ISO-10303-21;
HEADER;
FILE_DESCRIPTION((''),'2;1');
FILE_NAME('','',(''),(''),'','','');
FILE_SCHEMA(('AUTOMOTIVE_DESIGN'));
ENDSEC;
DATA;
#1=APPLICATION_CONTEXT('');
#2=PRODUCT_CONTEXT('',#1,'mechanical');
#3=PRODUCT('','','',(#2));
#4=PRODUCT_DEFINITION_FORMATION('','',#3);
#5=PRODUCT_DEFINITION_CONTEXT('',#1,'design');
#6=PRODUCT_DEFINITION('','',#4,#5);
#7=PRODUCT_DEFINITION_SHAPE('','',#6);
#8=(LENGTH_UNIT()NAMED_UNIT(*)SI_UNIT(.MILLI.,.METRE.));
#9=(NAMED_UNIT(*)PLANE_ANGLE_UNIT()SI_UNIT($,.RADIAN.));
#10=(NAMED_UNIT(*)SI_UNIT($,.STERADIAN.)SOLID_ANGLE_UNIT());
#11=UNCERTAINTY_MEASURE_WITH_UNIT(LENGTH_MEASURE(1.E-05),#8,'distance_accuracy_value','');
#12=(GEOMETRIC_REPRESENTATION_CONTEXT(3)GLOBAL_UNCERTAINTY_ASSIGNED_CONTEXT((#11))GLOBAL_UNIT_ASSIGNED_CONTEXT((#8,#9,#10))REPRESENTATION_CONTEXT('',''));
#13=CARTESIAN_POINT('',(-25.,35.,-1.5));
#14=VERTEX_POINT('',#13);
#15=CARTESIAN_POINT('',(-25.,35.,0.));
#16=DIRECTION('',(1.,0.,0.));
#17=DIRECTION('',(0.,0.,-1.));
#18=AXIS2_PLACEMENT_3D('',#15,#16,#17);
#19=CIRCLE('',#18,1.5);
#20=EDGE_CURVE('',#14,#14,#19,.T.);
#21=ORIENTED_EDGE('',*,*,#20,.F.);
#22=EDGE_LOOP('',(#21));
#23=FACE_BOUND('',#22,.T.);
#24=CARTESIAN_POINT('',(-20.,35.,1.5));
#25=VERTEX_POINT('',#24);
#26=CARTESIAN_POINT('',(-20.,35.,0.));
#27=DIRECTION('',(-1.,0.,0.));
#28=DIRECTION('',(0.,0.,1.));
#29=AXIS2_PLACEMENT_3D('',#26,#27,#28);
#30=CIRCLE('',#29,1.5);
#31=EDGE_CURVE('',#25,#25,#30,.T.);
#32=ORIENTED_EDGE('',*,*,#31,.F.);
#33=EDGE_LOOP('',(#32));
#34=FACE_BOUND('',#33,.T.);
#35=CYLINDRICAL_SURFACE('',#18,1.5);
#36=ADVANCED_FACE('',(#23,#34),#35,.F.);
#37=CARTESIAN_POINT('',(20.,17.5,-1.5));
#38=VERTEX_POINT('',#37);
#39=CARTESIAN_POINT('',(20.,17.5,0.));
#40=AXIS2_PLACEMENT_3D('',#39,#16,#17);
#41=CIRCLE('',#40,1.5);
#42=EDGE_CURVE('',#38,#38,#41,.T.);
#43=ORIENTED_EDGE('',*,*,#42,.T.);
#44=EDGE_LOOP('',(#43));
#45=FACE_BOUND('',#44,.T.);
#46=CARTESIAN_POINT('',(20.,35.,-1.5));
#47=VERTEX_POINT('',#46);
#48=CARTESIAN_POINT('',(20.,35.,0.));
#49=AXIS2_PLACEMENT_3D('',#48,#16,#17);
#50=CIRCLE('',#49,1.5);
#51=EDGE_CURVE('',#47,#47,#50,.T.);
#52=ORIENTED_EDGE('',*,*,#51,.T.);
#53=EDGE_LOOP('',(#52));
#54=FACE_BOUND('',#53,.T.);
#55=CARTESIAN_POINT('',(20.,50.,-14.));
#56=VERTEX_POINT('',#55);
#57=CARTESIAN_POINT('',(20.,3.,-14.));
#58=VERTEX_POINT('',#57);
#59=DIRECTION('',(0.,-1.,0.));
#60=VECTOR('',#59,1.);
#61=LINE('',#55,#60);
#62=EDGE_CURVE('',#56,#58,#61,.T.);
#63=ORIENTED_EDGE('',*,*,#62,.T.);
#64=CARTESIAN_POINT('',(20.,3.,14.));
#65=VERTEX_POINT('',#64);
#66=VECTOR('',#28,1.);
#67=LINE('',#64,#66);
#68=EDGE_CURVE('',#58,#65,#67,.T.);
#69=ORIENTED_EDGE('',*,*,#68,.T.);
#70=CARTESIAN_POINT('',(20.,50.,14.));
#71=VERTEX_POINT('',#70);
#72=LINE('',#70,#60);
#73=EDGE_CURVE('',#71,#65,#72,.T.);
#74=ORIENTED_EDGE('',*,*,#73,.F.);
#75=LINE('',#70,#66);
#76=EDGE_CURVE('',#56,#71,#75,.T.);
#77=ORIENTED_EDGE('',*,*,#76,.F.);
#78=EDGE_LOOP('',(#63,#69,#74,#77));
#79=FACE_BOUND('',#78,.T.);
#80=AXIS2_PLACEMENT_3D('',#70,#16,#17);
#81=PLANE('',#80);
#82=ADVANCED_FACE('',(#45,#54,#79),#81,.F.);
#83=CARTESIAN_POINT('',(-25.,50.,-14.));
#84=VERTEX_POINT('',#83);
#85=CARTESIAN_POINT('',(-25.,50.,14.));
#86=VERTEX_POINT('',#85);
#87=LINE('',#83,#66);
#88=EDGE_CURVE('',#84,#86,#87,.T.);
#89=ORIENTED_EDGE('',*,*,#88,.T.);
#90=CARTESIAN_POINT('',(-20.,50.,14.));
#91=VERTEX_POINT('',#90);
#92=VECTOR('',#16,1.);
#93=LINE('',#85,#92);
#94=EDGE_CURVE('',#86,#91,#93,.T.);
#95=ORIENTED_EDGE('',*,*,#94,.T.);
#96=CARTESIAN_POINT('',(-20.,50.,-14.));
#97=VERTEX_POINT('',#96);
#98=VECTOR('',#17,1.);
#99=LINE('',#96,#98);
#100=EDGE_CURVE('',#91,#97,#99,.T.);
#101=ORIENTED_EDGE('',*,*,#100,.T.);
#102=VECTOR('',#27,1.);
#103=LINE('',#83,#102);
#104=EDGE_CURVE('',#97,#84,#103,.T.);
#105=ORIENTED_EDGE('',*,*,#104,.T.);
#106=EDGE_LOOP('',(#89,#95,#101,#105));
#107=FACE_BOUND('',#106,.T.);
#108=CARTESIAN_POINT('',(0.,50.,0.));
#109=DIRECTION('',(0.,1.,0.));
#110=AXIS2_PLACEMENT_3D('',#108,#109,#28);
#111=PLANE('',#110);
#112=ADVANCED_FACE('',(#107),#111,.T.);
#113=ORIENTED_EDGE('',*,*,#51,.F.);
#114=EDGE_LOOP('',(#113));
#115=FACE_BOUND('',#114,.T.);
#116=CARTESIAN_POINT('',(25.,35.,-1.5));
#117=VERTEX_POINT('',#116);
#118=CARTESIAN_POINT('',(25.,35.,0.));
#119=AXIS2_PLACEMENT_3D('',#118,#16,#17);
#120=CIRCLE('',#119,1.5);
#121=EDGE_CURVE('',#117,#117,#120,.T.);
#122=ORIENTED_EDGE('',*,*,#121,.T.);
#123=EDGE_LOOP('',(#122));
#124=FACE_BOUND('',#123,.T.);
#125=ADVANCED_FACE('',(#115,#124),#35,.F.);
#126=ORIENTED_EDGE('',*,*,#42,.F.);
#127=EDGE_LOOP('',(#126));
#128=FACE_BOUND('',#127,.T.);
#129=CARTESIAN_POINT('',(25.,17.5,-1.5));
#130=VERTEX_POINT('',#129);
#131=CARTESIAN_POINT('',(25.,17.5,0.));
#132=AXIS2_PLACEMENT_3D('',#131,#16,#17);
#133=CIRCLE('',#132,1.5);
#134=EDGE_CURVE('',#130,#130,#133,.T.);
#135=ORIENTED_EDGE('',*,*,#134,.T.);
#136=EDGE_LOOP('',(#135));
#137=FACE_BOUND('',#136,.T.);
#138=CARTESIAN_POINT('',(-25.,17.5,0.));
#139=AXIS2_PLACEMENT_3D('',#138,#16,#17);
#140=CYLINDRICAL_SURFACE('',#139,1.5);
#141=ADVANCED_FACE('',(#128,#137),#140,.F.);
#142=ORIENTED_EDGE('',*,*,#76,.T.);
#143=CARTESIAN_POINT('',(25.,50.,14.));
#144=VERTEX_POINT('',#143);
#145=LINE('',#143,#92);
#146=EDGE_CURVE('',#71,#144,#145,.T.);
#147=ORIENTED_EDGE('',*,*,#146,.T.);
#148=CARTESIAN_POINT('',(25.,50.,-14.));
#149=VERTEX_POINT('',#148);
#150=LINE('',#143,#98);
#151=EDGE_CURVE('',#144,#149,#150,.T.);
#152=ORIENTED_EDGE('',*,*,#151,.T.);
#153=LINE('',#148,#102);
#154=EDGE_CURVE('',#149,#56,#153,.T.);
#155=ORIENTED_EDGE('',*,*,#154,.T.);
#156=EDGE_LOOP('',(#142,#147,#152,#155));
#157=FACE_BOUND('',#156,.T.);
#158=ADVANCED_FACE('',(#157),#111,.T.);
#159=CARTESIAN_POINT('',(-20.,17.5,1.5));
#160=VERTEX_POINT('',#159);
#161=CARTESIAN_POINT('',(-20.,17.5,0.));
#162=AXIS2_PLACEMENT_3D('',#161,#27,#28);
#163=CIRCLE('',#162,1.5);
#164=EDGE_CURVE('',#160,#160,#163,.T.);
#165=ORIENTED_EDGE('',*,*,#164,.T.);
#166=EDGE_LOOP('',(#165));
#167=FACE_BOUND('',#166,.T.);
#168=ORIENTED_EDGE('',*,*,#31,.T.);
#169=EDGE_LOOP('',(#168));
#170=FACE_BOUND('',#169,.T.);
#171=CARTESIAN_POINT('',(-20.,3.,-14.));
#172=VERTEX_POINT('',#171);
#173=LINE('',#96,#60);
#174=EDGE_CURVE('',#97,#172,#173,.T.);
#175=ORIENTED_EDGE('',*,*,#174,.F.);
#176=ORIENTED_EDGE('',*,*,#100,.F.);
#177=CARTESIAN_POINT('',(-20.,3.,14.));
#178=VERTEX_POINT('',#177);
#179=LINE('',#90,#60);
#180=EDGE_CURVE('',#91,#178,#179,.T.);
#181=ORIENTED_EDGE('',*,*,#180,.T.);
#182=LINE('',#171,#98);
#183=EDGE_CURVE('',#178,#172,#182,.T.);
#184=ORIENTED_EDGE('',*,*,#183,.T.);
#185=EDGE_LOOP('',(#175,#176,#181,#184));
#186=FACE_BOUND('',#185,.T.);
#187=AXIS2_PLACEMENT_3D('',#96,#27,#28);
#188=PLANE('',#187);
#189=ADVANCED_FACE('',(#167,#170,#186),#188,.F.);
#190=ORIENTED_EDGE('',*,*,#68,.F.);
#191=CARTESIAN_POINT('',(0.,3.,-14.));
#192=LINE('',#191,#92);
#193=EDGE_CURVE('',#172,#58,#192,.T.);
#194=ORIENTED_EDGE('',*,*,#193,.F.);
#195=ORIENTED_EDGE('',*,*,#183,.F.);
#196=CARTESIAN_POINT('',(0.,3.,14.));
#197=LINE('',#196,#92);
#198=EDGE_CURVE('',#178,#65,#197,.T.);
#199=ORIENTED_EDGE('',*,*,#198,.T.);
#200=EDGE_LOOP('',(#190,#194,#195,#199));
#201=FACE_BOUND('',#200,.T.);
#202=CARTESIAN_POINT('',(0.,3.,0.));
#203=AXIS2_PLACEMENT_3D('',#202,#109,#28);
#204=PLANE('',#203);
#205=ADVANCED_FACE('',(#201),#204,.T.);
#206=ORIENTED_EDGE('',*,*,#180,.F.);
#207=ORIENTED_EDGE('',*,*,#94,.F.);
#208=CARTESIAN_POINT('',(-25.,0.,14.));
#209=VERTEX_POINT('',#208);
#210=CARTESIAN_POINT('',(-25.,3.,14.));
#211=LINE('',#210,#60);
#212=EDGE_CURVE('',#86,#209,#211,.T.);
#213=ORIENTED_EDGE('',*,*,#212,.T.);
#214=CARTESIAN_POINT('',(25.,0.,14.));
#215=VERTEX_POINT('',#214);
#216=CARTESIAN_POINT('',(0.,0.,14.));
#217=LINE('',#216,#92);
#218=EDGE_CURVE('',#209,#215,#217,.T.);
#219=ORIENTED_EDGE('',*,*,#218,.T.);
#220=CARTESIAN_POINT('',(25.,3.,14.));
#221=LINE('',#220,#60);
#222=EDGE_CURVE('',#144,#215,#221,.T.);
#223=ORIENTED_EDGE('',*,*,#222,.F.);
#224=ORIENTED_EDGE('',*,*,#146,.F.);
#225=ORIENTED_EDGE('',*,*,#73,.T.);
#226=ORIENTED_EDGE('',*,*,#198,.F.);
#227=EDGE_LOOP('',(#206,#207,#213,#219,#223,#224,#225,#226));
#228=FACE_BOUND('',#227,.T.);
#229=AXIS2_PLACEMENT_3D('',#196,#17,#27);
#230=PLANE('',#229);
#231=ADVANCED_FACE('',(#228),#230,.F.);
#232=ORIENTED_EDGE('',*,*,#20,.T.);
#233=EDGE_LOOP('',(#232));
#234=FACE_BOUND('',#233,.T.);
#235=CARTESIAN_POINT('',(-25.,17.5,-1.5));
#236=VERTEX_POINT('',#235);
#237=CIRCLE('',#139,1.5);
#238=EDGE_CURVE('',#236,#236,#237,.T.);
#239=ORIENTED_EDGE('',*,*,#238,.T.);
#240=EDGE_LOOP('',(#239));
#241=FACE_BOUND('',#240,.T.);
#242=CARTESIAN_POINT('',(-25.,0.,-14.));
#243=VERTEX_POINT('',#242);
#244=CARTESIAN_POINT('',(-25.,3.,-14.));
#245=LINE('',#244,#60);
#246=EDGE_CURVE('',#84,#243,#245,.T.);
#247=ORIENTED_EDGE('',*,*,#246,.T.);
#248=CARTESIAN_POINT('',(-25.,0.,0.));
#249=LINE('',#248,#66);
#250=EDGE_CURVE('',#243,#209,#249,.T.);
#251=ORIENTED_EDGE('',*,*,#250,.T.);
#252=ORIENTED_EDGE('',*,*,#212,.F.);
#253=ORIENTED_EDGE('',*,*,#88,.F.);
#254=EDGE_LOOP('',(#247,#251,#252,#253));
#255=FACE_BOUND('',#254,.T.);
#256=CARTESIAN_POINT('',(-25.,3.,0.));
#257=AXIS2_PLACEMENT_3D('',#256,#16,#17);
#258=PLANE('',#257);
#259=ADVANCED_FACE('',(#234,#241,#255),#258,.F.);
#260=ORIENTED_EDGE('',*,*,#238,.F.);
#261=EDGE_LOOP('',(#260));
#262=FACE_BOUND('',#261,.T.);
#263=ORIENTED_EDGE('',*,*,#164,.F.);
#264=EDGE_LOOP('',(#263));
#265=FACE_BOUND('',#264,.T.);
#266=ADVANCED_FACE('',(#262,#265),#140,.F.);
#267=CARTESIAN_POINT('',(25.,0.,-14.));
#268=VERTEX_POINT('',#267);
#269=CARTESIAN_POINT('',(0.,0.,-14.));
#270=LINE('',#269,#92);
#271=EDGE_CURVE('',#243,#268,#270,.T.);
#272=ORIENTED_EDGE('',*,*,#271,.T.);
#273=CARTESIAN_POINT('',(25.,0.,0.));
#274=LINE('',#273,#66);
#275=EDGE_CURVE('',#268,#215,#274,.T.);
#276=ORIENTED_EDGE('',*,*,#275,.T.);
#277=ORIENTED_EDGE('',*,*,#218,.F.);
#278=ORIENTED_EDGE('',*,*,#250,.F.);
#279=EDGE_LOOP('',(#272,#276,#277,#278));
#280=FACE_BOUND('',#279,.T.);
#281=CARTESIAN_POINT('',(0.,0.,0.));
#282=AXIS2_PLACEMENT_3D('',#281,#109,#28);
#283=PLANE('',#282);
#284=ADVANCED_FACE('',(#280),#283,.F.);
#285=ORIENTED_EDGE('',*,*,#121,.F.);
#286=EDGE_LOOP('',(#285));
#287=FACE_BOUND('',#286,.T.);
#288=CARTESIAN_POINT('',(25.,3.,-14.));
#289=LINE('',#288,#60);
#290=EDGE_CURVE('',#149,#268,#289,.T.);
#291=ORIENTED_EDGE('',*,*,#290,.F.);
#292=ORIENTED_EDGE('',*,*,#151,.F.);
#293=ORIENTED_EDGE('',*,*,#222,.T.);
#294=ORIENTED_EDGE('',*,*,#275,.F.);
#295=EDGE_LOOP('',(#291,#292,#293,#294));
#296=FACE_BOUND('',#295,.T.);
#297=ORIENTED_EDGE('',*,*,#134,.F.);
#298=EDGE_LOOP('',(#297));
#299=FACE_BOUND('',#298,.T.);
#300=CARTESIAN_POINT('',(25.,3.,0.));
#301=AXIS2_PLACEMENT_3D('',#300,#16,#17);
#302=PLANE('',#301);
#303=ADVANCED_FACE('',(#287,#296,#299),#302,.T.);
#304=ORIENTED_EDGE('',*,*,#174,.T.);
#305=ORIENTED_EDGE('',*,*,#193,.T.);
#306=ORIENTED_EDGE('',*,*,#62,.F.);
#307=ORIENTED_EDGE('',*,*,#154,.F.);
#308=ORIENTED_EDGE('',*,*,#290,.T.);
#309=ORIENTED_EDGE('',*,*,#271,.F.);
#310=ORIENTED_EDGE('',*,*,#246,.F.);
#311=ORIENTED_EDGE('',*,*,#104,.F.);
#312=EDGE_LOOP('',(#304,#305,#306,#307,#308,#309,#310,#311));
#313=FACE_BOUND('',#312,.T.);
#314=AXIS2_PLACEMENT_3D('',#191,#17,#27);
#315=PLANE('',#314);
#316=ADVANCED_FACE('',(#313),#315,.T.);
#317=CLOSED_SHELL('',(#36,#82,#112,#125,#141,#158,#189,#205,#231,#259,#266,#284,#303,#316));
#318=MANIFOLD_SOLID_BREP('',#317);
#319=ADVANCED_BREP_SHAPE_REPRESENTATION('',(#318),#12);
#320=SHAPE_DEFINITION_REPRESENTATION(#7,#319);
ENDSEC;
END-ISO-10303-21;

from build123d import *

# Parameters (mm, degrees)
CROQUIS1_W              = 5
CROQUIS1_H              = 28
CROQUIS1_W_2            = 40
SALIENTE_EXTRUIR1_DEPTH = 3
CROQUIS2_W              = 5
CROQUIS2_H              = 28
SALIENTE_EXTRUIR2_DEPTH = 47
CROQUIS3_R              = 1.5
CORTAR_EXTRUIR1_DEPTH   = 51


with BuildPart() as part:
    # Croquis1 → Saliente-Extruir1 (new body)
    with BuildSketch(Plane(origin=(0, 0, 0), x_dir=(1, 0, 0), z_dir=(0, 1, 0))):
        with Locations((-22.5, 0)):
            Rectangle(CROQUIS1_W, CROQUIS1_H)
        Rectangle(CROQUIS1_W_2, CROQUIS1_H)
        with Locations((22.5, 0)):
            Rectangle(CROQUIS1_W, CROQUIS1_H)
    extrude(amount=SALIENTE_EXTRUIR1_DEPTH)

    # Croquis2 → Saliente-Extruir2 (add)
    with BuildSketch(Plane(origin=(0, 3, 0), x_dir=(1, 0, 0), z_dir=(0, 1, 0))):
        with Locations((-22.5, 0)):
            Rectangle(CROQUIS2_W, CROQUIS2_H)
        with Locations((22.5, 0)):
            Rectangle(CROQUIS2_W, CROQUIS2_H)
    extrude(amount=SALIENTE_EXTRUIR2_DEPTH)

    # Croquis3 → Cortar-Extruir1 (cut, through all)
    with BuildSketch(Plane(origin=(25, 0, 0), x_dir=(0, 0, -1), z_dir=(1, 0, 0))):
        with Locations((0, 17.5)):
            Circle(CROQUIS3_R)
        with Locations((0, 35)):
            Circle(CROQUIS3_R)
    extrude(amount=-CORTAR_EXTRUIR1_DEPTH, mode=Mode.SUBTRACT)


solid = part.part
